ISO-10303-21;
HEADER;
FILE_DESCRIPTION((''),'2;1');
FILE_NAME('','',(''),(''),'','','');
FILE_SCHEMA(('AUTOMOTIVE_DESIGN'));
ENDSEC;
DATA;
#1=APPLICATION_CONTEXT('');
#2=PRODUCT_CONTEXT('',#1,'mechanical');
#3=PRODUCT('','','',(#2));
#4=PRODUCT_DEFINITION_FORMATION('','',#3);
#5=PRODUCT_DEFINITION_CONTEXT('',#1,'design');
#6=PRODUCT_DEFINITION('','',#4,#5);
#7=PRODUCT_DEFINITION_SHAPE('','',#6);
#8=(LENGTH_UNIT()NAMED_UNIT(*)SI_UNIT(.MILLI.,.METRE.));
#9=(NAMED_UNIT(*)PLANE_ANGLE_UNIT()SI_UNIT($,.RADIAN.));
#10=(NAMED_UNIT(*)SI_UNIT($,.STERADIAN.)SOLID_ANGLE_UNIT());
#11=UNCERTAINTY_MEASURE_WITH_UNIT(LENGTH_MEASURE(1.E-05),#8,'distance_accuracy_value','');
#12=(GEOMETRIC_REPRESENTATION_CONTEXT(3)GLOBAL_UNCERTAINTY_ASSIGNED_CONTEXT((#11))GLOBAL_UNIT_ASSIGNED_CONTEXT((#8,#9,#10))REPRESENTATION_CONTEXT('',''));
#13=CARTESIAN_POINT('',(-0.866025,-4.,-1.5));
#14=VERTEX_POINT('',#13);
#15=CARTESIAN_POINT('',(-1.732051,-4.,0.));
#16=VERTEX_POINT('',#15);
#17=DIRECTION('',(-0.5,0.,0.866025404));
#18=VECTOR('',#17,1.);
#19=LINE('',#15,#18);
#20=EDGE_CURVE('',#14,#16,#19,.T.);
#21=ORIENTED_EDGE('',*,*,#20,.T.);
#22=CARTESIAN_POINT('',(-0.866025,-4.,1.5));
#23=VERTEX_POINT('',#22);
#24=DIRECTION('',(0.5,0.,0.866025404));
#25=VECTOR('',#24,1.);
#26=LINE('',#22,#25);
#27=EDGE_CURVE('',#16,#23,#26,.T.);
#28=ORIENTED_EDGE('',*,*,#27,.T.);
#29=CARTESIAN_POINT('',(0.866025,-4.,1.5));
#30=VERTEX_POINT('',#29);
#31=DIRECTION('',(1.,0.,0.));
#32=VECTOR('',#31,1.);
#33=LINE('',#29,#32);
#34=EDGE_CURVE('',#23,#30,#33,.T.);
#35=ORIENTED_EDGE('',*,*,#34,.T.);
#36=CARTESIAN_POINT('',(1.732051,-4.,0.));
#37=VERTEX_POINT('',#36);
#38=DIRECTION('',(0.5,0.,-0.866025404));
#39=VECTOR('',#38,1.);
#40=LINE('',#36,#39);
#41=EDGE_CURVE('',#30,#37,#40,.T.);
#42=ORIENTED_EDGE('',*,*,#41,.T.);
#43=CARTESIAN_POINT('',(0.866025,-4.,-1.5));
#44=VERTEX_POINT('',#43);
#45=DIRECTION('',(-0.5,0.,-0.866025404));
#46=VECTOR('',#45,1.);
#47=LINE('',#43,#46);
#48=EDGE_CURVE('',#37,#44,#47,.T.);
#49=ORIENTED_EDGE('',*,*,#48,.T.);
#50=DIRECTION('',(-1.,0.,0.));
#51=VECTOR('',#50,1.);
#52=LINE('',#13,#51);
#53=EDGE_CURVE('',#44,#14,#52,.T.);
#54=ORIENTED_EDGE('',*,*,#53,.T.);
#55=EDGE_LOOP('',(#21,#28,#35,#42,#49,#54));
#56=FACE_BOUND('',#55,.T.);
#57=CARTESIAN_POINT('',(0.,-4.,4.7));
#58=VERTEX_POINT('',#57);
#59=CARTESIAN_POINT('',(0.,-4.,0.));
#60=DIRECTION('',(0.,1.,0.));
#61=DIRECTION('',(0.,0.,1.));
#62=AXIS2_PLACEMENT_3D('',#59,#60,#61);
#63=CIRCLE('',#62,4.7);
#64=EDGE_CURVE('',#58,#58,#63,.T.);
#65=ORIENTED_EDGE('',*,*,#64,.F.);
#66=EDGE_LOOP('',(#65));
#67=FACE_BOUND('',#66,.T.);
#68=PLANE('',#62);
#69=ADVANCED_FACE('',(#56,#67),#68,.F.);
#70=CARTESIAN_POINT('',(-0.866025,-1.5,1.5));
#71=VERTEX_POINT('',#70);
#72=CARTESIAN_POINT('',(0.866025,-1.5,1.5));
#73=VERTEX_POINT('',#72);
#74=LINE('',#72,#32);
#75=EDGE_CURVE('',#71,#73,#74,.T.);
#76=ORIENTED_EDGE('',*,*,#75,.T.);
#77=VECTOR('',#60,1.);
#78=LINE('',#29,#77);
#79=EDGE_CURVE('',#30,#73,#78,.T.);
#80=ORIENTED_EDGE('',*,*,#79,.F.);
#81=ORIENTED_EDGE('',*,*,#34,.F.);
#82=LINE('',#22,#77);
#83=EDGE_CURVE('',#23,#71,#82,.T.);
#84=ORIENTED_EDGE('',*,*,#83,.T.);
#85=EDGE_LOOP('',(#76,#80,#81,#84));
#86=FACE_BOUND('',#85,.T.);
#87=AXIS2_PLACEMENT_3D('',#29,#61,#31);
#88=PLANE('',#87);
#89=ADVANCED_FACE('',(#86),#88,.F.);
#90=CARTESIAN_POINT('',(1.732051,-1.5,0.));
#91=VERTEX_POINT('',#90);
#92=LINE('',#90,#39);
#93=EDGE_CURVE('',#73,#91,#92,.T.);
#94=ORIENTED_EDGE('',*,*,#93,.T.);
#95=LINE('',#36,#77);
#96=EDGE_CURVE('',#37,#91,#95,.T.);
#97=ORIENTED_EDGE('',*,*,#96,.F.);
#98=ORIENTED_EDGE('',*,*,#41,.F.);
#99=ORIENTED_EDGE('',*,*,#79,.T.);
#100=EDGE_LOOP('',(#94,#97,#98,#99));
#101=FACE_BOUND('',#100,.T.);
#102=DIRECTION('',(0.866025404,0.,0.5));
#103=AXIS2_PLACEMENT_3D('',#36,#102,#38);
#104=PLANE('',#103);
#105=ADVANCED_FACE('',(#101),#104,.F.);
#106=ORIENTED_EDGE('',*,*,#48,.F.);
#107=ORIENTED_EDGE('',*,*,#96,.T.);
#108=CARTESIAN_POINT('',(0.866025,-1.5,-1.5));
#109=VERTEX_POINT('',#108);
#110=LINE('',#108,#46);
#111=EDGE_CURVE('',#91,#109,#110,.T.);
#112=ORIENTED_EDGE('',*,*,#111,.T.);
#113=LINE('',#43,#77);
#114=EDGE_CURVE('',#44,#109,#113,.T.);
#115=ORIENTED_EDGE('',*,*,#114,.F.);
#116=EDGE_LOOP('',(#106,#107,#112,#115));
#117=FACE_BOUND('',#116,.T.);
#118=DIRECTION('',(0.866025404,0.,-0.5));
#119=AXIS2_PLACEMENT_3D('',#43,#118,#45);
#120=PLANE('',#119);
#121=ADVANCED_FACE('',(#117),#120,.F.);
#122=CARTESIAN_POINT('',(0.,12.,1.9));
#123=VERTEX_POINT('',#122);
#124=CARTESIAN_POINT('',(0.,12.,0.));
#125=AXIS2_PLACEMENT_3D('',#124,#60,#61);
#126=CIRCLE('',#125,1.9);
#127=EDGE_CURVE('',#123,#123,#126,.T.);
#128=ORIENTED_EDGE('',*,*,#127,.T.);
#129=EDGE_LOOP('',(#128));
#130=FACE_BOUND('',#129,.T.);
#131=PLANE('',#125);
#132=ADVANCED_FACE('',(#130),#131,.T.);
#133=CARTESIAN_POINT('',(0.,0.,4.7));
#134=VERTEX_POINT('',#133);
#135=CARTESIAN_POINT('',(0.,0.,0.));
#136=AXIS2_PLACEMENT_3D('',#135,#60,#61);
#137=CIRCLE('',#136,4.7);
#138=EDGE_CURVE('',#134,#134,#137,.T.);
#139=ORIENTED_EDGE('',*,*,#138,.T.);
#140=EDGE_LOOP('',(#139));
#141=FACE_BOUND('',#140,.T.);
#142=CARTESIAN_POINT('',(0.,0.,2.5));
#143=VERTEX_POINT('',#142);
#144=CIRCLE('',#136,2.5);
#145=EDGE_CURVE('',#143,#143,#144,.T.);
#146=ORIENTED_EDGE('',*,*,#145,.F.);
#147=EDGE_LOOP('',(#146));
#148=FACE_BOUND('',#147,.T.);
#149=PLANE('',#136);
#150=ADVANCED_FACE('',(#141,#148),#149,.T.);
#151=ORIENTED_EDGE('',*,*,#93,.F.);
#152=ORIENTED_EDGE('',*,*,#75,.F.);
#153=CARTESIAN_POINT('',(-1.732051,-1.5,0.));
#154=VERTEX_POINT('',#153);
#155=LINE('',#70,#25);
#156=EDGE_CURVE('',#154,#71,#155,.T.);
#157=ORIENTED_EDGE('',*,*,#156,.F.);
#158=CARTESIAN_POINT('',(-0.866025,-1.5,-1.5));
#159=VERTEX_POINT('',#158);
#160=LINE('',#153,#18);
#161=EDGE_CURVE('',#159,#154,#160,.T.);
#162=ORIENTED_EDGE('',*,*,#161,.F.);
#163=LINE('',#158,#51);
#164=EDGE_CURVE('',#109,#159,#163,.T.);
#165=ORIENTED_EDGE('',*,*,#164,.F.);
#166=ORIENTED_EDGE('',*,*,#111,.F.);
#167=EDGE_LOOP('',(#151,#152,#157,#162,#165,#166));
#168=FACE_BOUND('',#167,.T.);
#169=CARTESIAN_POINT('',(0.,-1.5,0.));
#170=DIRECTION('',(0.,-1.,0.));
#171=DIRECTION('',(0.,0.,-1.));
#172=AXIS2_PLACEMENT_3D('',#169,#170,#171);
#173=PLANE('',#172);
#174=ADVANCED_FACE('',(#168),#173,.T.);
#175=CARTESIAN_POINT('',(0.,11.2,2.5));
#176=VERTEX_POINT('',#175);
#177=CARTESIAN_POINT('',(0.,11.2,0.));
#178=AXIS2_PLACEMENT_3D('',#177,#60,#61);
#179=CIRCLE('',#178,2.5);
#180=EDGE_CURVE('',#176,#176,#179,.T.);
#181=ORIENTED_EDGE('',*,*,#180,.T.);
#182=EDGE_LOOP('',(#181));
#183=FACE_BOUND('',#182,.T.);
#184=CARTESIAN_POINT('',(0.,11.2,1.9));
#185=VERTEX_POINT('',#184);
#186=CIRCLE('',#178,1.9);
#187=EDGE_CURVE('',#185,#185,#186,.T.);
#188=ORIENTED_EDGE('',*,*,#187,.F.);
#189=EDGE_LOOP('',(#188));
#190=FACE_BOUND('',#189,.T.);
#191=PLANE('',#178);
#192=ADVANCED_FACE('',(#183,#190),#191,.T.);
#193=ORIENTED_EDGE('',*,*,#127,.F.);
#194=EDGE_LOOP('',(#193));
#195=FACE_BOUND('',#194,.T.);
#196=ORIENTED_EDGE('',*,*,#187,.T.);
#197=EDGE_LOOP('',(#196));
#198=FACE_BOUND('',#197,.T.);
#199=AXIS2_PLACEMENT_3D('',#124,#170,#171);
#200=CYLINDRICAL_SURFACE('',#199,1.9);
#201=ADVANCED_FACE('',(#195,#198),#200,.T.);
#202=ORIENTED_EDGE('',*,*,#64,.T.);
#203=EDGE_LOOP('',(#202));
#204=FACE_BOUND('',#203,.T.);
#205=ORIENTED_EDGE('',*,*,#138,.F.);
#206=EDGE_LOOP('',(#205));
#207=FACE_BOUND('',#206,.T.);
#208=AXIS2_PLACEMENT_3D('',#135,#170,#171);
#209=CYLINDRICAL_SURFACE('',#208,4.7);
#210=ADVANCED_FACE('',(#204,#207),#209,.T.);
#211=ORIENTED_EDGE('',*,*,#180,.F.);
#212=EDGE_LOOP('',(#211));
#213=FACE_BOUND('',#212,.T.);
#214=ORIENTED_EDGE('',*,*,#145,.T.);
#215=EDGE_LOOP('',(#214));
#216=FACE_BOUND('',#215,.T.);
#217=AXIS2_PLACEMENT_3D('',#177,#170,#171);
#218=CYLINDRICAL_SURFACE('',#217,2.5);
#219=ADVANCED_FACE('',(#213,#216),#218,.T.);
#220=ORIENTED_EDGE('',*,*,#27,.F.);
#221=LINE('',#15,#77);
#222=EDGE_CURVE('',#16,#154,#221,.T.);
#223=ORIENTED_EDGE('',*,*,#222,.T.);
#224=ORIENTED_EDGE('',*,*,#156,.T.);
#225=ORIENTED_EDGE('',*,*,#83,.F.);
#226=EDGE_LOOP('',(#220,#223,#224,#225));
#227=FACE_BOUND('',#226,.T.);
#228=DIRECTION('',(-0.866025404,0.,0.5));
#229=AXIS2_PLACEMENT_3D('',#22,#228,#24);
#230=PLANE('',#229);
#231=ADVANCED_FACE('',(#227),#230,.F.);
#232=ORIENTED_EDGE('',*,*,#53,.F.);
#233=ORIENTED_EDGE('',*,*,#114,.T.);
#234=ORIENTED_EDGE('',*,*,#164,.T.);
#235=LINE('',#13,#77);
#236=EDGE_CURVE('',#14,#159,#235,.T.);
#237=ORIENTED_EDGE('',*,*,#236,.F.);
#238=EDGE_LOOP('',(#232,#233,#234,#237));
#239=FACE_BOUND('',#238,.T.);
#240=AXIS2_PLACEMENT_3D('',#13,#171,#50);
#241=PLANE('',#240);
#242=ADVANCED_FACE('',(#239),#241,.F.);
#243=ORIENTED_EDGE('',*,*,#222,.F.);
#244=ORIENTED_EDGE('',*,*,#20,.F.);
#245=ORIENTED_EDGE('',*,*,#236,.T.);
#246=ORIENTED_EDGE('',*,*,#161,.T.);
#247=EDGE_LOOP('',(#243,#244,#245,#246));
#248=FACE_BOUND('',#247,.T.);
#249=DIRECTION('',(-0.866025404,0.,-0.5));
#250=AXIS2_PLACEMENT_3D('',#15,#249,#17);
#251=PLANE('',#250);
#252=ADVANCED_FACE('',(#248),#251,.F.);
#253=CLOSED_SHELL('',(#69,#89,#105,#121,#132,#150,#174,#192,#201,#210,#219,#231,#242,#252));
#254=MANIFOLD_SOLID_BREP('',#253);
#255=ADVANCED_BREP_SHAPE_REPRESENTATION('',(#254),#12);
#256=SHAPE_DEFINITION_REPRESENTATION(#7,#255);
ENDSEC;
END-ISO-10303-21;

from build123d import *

# Parameters (mm, degrees)
SKETCH1_R           = 4.7
BOSS_EXTRUDE1_DEPTH = 2
SKETCH2_R           = 2.5
BOSS_EXTRUDE2_DEPTH = 5.6
SKETCH3_R           = 1.9
BOSS_EXTRUDE3_DEPTH = 0.4
CUT_EXTRUDE1_DEPTH  = 1.25


with BuildPart() as part:
    # Sketch1 → Boss-Extrude1 (new, symmetric)
    with BuildSketch(Plane(origin=(0, -2, 0), x_dir=(1, 0, 0), z_dir=(0, 1, 0))):
        with Locations(Location((0, 0, 0), (0, 0, 270))):
            Circle(SKETCH1_R)
    extrude(amount=BOSS_EXTRUDE1_DEPTH, both=True)

    # Sketch2 → Boss-Extrude2 (add, symmetric)
    with BuildSketch(Plane(origin=(0, 5.6, 0), x_dir=(1, 0, 0), z_dir=(0, 1, 0))):
        with Locations(Location((0, 0, 0), (0, 0, 270))):
            Circle(SKETCH2_R)
    extrude(amount=BOSS_EXTRUDE2_DEPTH, both=True)

    # Sketch3 → Boss-Extrude3 (add, symmetric)
    with BuildSketch(Plane(origin=(0, 11.6, 0), x_dir=(1, 0, 0), z_dir=(0, 1, 0))):
        with Locations(Location((0, 0, 0), (0, 0, 270))):
            Circle(SKETCH3_R)
    extrude(amount=BOSS_EXTRUDE3_DEPTH, both=True)

    # Sketch4 → Cut-Extrude1 (cut, symmetric)
    with BuildSketch(Plane(origin=(0, -2.75, 0), x_dir=(1, 0, 0), z_dir=(0, 1, 0))):
        Polygon((1.732050808, 0), (0.866025404, -1.5), (-0.866025404, -1.5), (-1.732050808, 0), (-0.866025404, 1.5), (0.866025404, 1.5), align=None)
    extrude(amount=CUT_EXTRUDE1_DEPTH, both=True, mode=Mode.SUBTRACT)


solid = part.part
